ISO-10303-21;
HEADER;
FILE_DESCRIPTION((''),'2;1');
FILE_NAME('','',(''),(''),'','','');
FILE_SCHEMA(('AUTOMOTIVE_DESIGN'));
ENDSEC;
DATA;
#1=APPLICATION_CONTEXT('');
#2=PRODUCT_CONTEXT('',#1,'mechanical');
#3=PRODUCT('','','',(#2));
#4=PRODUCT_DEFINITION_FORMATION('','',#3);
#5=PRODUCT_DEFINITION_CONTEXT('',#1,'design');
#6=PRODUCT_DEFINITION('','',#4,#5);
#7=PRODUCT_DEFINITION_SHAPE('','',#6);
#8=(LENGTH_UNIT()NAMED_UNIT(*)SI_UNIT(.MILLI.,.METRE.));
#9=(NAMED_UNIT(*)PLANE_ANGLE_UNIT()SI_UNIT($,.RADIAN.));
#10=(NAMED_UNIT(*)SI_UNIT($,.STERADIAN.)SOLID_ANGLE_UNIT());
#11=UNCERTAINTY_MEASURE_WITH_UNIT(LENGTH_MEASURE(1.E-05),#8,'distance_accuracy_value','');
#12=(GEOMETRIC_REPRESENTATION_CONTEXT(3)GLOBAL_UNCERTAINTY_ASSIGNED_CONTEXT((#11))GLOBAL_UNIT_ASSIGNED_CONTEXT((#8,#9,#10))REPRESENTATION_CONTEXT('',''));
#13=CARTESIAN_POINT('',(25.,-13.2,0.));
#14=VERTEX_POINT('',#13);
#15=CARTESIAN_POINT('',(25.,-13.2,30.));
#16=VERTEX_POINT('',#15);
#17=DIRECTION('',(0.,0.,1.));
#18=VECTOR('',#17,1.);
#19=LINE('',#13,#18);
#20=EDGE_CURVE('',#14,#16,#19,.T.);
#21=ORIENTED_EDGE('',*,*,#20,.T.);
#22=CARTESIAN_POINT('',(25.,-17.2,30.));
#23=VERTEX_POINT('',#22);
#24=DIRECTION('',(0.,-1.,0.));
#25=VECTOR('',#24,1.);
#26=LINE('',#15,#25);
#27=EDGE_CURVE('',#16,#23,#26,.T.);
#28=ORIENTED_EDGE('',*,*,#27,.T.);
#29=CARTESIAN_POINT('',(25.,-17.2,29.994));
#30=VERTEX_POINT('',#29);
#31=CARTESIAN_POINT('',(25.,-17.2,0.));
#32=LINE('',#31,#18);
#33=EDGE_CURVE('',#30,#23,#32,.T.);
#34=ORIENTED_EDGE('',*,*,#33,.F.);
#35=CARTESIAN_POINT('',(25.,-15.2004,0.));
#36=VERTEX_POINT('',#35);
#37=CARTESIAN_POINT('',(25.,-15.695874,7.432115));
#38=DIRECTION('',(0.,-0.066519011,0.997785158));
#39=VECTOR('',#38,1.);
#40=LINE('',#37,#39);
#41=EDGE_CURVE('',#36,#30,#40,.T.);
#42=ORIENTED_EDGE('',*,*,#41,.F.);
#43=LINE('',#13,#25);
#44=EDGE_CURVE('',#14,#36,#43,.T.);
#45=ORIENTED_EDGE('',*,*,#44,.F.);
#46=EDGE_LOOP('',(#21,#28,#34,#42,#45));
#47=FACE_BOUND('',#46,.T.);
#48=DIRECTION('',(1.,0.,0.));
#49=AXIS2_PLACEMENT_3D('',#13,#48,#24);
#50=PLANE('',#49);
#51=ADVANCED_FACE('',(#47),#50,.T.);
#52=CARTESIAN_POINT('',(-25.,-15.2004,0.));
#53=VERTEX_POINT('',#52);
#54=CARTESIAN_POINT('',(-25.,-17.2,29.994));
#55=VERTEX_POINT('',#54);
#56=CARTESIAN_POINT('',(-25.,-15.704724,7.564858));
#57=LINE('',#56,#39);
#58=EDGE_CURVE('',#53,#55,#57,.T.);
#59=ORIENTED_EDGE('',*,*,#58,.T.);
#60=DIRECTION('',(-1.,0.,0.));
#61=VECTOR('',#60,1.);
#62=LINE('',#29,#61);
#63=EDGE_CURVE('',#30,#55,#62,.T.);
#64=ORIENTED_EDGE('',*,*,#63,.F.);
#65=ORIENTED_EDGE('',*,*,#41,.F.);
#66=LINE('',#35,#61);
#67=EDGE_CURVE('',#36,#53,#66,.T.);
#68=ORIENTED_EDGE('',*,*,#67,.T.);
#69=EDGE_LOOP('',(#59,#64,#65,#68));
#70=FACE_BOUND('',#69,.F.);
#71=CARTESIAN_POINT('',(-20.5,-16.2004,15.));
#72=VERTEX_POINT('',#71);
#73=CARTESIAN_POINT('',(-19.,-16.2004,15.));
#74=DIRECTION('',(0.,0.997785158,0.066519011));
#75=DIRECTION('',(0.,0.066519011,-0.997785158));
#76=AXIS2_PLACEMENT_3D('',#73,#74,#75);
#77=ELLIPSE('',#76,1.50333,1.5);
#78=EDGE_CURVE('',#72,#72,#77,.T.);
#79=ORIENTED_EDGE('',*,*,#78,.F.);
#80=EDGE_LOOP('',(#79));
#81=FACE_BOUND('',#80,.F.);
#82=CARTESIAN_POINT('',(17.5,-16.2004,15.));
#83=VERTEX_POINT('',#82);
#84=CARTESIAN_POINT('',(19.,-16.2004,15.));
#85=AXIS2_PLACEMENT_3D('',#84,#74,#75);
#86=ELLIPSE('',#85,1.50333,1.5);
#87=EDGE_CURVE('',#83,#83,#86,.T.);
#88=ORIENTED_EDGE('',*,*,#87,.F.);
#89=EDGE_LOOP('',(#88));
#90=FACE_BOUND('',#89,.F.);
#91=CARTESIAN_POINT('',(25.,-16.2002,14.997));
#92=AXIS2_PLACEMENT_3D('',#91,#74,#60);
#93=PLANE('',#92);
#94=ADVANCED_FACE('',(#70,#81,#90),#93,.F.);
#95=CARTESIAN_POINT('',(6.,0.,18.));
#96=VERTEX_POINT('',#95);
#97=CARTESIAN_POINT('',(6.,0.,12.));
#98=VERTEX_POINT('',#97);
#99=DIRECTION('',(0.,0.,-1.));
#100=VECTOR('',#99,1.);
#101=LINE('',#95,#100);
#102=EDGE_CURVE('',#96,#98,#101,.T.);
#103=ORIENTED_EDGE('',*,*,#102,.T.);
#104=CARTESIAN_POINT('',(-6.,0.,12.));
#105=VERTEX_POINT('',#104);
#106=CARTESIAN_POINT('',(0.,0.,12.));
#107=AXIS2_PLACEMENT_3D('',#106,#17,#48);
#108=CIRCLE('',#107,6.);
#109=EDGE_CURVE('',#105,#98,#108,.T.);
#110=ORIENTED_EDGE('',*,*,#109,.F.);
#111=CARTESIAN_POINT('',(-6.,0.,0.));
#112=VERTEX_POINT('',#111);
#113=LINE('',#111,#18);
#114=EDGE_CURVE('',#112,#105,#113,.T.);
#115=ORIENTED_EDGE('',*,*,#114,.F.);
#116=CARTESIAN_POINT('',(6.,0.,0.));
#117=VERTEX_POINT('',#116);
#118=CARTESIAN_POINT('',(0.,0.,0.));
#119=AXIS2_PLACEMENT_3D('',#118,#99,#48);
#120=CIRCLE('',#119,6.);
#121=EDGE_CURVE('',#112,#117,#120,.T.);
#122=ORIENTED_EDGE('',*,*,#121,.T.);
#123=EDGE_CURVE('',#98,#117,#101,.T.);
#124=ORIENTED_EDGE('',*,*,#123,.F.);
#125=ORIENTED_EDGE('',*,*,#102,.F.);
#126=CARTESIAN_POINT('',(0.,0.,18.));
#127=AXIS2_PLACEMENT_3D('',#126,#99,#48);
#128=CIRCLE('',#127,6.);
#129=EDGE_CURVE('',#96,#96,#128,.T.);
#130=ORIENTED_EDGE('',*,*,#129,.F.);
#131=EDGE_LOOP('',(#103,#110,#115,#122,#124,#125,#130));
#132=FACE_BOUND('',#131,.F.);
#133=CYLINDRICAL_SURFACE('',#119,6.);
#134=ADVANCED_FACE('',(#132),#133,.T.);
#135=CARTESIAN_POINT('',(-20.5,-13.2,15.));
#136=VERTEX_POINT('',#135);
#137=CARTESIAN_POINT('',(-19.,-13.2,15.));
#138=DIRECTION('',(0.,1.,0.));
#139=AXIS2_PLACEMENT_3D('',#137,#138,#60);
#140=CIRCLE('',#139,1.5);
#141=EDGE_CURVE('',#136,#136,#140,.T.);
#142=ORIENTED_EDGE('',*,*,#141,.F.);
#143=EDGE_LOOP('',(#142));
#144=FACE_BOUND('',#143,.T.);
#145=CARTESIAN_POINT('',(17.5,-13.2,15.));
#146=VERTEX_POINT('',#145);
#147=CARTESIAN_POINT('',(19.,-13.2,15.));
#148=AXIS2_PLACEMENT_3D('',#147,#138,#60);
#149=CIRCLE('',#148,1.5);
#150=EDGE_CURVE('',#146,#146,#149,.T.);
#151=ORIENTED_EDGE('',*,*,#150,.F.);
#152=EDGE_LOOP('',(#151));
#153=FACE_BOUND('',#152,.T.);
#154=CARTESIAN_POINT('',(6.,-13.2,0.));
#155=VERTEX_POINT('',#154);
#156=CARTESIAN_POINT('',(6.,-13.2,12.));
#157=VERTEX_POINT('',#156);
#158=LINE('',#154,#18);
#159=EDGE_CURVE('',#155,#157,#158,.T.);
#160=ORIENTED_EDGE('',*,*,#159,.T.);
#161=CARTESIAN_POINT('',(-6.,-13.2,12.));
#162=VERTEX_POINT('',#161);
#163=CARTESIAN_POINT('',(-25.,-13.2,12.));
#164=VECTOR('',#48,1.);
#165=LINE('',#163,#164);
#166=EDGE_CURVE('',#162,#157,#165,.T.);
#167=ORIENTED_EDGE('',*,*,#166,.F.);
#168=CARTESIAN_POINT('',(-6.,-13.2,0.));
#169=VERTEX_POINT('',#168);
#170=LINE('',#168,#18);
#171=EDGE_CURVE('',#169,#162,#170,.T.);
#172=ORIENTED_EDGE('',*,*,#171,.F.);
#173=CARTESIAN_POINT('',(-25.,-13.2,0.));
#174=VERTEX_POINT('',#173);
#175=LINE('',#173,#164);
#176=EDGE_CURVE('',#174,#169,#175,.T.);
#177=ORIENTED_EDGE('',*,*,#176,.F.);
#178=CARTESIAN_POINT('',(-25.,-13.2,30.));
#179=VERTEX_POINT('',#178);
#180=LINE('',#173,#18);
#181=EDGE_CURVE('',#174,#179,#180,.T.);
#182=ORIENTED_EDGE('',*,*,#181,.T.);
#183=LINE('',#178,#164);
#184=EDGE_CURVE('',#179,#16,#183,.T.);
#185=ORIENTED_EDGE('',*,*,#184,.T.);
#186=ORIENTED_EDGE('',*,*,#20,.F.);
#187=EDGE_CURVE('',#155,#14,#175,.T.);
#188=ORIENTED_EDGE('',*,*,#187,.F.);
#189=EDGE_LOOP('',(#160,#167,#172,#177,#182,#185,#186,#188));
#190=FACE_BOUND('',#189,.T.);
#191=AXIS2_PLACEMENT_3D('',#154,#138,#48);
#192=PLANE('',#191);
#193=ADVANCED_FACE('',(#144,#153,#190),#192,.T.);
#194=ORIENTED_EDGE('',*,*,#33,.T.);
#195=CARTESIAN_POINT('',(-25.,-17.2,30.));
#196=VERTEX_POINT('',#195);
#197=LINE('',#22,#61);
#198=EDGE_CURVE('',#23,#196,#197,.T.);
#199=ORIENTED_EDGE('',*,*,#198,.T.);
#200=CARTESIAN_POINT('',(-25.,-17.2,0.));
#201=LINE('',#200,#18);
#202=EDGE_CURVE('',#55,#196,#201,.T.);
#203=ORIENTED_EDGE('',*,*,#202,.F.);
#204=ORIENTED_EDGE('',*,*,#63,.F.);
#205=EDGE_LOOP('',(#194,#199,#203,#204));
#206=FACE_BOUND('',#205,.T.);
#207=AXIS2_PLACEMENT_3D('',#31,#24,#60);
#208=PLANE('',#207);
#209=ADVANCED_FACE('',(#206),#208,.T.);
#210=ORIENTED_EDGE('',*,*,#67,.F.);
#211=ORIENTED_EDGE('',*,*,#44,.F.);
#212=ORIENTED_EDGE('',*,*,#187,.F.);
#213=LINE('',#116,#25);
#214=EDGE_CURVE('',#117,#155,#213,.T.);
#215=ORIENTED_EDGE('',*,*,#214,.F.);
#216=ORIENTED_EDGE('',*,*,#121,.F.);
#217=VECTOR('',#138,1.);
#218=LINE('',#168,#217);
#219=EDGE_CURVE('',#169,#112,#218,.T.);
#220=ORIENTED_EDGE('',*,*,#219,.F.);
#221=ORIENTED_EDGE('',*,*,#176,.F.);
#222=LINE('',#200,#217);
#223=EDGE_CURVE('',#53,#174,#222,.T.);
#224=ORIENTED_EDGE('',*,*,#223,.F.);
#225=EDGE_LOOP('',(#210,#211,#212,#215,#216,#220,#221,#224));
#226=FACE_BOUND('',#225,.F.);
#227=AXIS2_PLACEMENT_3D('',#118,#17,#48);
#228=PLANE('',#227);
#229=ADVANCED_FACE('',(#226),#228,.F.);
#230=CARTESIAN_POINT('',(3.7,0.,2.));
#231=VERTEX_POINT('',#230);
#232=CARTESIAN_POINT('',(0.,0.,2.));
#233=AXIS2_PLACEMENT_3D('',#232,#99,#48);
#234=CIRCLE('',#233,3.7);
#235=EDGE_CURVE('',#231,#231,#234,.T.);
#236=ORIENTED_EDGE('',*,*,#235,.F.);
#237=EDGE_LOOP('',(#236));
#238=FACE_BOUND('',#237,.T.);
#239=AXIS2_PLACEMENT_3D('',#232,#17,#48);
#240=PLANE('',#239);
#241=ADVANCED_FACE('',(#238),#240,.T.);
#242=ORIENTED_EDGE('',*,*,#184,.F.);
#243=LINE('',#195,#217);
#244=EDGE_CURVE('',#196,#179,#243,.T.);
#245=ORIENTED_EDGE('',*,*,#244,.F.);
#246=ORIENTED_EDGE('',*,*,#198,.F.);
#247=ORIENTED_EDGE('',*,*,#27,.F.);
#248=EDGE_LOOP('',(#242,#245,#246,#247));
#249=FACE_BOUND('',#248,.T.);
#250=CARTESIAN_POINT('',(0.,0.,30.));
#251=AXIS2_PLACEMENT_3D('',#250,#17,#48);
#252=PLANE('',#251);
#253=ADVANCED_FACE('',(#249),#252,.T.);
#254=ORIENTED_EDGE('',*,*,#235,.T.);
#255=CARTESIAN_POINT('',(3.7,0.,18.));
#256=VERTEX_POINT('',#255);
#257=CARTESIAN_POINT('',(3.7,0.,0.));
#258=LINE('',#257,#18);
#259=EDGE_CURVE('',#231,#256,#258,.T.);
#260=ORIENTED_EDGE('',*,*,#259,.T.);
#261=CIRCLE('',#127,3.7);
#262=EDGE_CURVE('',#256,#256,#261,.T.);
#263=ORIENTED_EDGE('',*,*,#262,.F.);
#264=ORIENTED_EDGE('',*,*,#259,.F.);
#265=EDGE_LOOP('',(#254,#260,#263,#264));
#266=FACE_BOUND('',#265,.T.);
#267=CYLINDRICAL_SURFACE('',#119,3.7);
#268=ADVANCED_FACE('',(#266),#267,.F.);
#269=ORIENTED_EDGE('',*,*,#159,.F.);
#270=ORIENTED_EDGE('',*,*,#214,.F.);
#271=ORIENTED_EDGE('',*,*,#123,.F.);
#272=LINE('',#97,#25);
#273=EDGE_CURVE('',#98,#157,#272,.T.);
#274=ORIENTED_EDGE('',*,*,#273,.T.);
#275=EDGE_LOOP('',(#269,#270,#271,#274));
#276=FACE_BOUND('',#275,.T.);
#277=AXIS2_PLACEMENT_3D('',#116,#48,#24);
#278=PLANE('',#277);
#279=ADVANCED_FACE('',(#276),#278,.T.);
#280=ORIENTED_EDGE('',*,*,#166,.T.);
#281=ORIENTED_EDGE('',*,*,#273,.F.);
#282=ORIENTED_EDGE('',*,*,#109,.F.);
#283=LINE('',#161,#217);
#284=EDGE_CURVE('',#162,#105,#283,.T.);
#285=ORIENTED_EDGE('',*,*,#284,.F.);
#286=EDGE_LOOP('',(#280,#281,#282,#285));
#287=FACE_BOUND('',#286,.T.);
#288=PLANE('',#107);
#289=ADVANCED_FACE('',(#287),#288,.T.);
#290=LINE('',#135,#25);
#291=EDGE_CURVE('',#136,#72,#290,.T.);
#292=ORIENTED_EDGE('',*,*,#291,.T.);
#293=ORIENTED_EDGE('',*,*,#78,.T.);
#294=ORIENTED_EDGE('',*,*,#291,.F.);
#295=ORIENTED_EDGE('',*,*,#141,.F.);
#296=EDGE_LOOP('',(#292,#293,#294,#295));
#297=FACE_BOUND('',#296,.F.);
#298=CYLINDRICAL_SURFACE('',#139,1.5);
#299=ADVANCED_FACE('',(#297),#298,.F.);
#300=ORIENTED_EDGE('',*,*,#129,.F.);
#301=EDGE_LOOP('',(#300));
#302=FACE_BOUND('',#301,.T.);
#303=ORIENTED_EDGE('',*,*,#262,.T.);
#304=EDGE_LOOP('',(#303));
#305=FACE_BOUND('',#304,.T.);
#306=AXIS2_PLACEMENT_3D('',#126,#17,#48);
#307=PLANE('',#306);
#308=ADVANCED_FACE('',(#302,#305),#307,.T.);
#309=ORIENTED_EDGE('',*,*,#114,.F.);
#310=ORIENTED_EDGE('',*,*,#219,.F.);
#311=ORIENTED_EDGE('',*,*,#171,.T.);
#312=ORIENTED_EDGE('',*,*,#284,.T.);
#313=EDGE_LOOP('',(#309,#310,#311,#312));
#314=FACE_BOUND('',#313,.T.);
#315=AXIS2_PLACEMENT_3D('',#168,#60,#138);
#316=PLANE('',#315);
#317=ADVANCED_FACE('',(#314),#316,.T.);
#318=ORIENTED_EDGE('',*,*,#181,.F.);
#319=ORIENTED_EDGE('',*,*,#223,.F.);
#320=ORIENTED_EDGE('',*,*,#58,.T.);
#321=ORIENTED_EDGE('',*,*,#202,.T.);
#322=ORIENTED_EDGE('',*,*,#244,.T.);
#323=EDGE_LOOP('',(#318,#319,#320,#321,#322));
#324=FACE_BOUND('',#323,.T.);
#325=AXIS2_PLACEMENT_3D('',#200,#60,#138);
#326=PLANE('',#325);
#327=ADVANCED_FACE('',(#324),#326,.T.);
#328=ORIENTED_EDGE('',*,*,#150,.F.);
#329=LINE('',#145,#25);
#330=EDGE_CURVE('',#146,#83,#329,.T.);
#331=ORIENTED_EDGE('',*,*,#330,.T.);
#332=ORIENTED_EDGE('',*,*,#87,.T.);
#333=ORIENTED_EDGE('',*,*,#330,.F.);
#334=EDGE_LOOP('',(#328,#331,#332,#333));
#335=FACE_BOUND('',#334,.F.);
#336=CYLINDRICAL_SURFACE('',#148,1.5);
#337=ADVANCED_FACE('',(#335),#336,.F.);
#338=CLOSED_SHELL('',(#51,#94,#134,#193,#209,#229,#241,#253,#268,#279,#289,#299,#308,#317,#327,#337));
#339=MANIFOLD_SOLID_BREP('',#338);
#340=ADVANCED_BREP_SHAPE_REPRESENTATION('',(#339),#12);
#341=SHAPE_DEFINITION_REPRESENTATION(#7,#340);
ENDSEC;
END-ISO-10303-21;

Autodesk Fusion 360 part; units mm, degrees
sketch "Sketch1" plane through (0, 0, 0) normal (0, 0, 1) x (1, 0, 0)
  circle A0 centre (0, 0) radius 3.7
  circle A1 centre (0, 0) radius 6
  line L0 (-25, -13.2) -> (25, -13.2)
  line L1 (25, -13.2) -> (25, -17.2)
  line L2 (25, -17.2) -> (-25, -17.2)
  line L3 (-25, -17.2) -> (-25, -13.2)
  line L4 (-6, 0) -> (6, 0)
  line L5 (6, 0) -> (6, -13.2)
  line L6 (6, -13.2) -> (-6, -13.2)
  line L7 (-6, -13.2) -> (-6, 0)
  point P0 (0, -13.2)
  dimension "d1" = 7.4
  dimension "d2" = 12
  dimension "d7" = 50
  dimension "d8" = 13.2
  dimension "d30" = 4
extrude "Extrude1" add sketch "Sketch1" along normal blind 2 contours A0 L4 | A0 A1 L4 | A0 A1 L4 | A0 L4
extrude "Extrude2" add sketch "Sketch1" along normal blind 18 contours A0 A1 L4 | A0 A1 L4
extrude "Extrude3" add sketch "Sketch1" along normal blind 12 contours A1 L0 L5 L6 L7
extrude "Extrude4" add sketch "Sketch1" along normal blind 30 contours L0 L1 L2 L3 L6
sketch "Sketch4" plane through (0, -13.2, 0) normal (0, 1, 0) x (-1, 0, 0)
  line L0 (6, 12) -> (6, 0)
  line L1 (6, 0) -> (25, 0)
  line L2 (25, 0) -> (25, 30)
  line L3 (25, 30) -> (-25, 30)
  line L4 (-25, 30) -> (-25, 0)
  line L5 (-25, 0) -> (-6, 0)
  line L6 (-6, 0) -> (-6, 12)
  line L7 (-6, 12) -> (6, 12)
  circle A0 centre (-19, 15) radius 1.5
  circle A1 centre (19, 15) radius 1.5
  point P0 (-25, 15)
  point P1 (25, 15)
  dimension "d31" = 3
  dimension "d32" = 3
  dimension "d33" = 6
  dimension "d35" = 6
chamfer "Chamfer1" distance 2 distance2 30 1 edges at (0, -17.2, 0) measured on face at (-2, -4.4, 0)
extrude "Extrude8" cut sketch "Sketch4" against normal blind 16 contours A0 | A1
